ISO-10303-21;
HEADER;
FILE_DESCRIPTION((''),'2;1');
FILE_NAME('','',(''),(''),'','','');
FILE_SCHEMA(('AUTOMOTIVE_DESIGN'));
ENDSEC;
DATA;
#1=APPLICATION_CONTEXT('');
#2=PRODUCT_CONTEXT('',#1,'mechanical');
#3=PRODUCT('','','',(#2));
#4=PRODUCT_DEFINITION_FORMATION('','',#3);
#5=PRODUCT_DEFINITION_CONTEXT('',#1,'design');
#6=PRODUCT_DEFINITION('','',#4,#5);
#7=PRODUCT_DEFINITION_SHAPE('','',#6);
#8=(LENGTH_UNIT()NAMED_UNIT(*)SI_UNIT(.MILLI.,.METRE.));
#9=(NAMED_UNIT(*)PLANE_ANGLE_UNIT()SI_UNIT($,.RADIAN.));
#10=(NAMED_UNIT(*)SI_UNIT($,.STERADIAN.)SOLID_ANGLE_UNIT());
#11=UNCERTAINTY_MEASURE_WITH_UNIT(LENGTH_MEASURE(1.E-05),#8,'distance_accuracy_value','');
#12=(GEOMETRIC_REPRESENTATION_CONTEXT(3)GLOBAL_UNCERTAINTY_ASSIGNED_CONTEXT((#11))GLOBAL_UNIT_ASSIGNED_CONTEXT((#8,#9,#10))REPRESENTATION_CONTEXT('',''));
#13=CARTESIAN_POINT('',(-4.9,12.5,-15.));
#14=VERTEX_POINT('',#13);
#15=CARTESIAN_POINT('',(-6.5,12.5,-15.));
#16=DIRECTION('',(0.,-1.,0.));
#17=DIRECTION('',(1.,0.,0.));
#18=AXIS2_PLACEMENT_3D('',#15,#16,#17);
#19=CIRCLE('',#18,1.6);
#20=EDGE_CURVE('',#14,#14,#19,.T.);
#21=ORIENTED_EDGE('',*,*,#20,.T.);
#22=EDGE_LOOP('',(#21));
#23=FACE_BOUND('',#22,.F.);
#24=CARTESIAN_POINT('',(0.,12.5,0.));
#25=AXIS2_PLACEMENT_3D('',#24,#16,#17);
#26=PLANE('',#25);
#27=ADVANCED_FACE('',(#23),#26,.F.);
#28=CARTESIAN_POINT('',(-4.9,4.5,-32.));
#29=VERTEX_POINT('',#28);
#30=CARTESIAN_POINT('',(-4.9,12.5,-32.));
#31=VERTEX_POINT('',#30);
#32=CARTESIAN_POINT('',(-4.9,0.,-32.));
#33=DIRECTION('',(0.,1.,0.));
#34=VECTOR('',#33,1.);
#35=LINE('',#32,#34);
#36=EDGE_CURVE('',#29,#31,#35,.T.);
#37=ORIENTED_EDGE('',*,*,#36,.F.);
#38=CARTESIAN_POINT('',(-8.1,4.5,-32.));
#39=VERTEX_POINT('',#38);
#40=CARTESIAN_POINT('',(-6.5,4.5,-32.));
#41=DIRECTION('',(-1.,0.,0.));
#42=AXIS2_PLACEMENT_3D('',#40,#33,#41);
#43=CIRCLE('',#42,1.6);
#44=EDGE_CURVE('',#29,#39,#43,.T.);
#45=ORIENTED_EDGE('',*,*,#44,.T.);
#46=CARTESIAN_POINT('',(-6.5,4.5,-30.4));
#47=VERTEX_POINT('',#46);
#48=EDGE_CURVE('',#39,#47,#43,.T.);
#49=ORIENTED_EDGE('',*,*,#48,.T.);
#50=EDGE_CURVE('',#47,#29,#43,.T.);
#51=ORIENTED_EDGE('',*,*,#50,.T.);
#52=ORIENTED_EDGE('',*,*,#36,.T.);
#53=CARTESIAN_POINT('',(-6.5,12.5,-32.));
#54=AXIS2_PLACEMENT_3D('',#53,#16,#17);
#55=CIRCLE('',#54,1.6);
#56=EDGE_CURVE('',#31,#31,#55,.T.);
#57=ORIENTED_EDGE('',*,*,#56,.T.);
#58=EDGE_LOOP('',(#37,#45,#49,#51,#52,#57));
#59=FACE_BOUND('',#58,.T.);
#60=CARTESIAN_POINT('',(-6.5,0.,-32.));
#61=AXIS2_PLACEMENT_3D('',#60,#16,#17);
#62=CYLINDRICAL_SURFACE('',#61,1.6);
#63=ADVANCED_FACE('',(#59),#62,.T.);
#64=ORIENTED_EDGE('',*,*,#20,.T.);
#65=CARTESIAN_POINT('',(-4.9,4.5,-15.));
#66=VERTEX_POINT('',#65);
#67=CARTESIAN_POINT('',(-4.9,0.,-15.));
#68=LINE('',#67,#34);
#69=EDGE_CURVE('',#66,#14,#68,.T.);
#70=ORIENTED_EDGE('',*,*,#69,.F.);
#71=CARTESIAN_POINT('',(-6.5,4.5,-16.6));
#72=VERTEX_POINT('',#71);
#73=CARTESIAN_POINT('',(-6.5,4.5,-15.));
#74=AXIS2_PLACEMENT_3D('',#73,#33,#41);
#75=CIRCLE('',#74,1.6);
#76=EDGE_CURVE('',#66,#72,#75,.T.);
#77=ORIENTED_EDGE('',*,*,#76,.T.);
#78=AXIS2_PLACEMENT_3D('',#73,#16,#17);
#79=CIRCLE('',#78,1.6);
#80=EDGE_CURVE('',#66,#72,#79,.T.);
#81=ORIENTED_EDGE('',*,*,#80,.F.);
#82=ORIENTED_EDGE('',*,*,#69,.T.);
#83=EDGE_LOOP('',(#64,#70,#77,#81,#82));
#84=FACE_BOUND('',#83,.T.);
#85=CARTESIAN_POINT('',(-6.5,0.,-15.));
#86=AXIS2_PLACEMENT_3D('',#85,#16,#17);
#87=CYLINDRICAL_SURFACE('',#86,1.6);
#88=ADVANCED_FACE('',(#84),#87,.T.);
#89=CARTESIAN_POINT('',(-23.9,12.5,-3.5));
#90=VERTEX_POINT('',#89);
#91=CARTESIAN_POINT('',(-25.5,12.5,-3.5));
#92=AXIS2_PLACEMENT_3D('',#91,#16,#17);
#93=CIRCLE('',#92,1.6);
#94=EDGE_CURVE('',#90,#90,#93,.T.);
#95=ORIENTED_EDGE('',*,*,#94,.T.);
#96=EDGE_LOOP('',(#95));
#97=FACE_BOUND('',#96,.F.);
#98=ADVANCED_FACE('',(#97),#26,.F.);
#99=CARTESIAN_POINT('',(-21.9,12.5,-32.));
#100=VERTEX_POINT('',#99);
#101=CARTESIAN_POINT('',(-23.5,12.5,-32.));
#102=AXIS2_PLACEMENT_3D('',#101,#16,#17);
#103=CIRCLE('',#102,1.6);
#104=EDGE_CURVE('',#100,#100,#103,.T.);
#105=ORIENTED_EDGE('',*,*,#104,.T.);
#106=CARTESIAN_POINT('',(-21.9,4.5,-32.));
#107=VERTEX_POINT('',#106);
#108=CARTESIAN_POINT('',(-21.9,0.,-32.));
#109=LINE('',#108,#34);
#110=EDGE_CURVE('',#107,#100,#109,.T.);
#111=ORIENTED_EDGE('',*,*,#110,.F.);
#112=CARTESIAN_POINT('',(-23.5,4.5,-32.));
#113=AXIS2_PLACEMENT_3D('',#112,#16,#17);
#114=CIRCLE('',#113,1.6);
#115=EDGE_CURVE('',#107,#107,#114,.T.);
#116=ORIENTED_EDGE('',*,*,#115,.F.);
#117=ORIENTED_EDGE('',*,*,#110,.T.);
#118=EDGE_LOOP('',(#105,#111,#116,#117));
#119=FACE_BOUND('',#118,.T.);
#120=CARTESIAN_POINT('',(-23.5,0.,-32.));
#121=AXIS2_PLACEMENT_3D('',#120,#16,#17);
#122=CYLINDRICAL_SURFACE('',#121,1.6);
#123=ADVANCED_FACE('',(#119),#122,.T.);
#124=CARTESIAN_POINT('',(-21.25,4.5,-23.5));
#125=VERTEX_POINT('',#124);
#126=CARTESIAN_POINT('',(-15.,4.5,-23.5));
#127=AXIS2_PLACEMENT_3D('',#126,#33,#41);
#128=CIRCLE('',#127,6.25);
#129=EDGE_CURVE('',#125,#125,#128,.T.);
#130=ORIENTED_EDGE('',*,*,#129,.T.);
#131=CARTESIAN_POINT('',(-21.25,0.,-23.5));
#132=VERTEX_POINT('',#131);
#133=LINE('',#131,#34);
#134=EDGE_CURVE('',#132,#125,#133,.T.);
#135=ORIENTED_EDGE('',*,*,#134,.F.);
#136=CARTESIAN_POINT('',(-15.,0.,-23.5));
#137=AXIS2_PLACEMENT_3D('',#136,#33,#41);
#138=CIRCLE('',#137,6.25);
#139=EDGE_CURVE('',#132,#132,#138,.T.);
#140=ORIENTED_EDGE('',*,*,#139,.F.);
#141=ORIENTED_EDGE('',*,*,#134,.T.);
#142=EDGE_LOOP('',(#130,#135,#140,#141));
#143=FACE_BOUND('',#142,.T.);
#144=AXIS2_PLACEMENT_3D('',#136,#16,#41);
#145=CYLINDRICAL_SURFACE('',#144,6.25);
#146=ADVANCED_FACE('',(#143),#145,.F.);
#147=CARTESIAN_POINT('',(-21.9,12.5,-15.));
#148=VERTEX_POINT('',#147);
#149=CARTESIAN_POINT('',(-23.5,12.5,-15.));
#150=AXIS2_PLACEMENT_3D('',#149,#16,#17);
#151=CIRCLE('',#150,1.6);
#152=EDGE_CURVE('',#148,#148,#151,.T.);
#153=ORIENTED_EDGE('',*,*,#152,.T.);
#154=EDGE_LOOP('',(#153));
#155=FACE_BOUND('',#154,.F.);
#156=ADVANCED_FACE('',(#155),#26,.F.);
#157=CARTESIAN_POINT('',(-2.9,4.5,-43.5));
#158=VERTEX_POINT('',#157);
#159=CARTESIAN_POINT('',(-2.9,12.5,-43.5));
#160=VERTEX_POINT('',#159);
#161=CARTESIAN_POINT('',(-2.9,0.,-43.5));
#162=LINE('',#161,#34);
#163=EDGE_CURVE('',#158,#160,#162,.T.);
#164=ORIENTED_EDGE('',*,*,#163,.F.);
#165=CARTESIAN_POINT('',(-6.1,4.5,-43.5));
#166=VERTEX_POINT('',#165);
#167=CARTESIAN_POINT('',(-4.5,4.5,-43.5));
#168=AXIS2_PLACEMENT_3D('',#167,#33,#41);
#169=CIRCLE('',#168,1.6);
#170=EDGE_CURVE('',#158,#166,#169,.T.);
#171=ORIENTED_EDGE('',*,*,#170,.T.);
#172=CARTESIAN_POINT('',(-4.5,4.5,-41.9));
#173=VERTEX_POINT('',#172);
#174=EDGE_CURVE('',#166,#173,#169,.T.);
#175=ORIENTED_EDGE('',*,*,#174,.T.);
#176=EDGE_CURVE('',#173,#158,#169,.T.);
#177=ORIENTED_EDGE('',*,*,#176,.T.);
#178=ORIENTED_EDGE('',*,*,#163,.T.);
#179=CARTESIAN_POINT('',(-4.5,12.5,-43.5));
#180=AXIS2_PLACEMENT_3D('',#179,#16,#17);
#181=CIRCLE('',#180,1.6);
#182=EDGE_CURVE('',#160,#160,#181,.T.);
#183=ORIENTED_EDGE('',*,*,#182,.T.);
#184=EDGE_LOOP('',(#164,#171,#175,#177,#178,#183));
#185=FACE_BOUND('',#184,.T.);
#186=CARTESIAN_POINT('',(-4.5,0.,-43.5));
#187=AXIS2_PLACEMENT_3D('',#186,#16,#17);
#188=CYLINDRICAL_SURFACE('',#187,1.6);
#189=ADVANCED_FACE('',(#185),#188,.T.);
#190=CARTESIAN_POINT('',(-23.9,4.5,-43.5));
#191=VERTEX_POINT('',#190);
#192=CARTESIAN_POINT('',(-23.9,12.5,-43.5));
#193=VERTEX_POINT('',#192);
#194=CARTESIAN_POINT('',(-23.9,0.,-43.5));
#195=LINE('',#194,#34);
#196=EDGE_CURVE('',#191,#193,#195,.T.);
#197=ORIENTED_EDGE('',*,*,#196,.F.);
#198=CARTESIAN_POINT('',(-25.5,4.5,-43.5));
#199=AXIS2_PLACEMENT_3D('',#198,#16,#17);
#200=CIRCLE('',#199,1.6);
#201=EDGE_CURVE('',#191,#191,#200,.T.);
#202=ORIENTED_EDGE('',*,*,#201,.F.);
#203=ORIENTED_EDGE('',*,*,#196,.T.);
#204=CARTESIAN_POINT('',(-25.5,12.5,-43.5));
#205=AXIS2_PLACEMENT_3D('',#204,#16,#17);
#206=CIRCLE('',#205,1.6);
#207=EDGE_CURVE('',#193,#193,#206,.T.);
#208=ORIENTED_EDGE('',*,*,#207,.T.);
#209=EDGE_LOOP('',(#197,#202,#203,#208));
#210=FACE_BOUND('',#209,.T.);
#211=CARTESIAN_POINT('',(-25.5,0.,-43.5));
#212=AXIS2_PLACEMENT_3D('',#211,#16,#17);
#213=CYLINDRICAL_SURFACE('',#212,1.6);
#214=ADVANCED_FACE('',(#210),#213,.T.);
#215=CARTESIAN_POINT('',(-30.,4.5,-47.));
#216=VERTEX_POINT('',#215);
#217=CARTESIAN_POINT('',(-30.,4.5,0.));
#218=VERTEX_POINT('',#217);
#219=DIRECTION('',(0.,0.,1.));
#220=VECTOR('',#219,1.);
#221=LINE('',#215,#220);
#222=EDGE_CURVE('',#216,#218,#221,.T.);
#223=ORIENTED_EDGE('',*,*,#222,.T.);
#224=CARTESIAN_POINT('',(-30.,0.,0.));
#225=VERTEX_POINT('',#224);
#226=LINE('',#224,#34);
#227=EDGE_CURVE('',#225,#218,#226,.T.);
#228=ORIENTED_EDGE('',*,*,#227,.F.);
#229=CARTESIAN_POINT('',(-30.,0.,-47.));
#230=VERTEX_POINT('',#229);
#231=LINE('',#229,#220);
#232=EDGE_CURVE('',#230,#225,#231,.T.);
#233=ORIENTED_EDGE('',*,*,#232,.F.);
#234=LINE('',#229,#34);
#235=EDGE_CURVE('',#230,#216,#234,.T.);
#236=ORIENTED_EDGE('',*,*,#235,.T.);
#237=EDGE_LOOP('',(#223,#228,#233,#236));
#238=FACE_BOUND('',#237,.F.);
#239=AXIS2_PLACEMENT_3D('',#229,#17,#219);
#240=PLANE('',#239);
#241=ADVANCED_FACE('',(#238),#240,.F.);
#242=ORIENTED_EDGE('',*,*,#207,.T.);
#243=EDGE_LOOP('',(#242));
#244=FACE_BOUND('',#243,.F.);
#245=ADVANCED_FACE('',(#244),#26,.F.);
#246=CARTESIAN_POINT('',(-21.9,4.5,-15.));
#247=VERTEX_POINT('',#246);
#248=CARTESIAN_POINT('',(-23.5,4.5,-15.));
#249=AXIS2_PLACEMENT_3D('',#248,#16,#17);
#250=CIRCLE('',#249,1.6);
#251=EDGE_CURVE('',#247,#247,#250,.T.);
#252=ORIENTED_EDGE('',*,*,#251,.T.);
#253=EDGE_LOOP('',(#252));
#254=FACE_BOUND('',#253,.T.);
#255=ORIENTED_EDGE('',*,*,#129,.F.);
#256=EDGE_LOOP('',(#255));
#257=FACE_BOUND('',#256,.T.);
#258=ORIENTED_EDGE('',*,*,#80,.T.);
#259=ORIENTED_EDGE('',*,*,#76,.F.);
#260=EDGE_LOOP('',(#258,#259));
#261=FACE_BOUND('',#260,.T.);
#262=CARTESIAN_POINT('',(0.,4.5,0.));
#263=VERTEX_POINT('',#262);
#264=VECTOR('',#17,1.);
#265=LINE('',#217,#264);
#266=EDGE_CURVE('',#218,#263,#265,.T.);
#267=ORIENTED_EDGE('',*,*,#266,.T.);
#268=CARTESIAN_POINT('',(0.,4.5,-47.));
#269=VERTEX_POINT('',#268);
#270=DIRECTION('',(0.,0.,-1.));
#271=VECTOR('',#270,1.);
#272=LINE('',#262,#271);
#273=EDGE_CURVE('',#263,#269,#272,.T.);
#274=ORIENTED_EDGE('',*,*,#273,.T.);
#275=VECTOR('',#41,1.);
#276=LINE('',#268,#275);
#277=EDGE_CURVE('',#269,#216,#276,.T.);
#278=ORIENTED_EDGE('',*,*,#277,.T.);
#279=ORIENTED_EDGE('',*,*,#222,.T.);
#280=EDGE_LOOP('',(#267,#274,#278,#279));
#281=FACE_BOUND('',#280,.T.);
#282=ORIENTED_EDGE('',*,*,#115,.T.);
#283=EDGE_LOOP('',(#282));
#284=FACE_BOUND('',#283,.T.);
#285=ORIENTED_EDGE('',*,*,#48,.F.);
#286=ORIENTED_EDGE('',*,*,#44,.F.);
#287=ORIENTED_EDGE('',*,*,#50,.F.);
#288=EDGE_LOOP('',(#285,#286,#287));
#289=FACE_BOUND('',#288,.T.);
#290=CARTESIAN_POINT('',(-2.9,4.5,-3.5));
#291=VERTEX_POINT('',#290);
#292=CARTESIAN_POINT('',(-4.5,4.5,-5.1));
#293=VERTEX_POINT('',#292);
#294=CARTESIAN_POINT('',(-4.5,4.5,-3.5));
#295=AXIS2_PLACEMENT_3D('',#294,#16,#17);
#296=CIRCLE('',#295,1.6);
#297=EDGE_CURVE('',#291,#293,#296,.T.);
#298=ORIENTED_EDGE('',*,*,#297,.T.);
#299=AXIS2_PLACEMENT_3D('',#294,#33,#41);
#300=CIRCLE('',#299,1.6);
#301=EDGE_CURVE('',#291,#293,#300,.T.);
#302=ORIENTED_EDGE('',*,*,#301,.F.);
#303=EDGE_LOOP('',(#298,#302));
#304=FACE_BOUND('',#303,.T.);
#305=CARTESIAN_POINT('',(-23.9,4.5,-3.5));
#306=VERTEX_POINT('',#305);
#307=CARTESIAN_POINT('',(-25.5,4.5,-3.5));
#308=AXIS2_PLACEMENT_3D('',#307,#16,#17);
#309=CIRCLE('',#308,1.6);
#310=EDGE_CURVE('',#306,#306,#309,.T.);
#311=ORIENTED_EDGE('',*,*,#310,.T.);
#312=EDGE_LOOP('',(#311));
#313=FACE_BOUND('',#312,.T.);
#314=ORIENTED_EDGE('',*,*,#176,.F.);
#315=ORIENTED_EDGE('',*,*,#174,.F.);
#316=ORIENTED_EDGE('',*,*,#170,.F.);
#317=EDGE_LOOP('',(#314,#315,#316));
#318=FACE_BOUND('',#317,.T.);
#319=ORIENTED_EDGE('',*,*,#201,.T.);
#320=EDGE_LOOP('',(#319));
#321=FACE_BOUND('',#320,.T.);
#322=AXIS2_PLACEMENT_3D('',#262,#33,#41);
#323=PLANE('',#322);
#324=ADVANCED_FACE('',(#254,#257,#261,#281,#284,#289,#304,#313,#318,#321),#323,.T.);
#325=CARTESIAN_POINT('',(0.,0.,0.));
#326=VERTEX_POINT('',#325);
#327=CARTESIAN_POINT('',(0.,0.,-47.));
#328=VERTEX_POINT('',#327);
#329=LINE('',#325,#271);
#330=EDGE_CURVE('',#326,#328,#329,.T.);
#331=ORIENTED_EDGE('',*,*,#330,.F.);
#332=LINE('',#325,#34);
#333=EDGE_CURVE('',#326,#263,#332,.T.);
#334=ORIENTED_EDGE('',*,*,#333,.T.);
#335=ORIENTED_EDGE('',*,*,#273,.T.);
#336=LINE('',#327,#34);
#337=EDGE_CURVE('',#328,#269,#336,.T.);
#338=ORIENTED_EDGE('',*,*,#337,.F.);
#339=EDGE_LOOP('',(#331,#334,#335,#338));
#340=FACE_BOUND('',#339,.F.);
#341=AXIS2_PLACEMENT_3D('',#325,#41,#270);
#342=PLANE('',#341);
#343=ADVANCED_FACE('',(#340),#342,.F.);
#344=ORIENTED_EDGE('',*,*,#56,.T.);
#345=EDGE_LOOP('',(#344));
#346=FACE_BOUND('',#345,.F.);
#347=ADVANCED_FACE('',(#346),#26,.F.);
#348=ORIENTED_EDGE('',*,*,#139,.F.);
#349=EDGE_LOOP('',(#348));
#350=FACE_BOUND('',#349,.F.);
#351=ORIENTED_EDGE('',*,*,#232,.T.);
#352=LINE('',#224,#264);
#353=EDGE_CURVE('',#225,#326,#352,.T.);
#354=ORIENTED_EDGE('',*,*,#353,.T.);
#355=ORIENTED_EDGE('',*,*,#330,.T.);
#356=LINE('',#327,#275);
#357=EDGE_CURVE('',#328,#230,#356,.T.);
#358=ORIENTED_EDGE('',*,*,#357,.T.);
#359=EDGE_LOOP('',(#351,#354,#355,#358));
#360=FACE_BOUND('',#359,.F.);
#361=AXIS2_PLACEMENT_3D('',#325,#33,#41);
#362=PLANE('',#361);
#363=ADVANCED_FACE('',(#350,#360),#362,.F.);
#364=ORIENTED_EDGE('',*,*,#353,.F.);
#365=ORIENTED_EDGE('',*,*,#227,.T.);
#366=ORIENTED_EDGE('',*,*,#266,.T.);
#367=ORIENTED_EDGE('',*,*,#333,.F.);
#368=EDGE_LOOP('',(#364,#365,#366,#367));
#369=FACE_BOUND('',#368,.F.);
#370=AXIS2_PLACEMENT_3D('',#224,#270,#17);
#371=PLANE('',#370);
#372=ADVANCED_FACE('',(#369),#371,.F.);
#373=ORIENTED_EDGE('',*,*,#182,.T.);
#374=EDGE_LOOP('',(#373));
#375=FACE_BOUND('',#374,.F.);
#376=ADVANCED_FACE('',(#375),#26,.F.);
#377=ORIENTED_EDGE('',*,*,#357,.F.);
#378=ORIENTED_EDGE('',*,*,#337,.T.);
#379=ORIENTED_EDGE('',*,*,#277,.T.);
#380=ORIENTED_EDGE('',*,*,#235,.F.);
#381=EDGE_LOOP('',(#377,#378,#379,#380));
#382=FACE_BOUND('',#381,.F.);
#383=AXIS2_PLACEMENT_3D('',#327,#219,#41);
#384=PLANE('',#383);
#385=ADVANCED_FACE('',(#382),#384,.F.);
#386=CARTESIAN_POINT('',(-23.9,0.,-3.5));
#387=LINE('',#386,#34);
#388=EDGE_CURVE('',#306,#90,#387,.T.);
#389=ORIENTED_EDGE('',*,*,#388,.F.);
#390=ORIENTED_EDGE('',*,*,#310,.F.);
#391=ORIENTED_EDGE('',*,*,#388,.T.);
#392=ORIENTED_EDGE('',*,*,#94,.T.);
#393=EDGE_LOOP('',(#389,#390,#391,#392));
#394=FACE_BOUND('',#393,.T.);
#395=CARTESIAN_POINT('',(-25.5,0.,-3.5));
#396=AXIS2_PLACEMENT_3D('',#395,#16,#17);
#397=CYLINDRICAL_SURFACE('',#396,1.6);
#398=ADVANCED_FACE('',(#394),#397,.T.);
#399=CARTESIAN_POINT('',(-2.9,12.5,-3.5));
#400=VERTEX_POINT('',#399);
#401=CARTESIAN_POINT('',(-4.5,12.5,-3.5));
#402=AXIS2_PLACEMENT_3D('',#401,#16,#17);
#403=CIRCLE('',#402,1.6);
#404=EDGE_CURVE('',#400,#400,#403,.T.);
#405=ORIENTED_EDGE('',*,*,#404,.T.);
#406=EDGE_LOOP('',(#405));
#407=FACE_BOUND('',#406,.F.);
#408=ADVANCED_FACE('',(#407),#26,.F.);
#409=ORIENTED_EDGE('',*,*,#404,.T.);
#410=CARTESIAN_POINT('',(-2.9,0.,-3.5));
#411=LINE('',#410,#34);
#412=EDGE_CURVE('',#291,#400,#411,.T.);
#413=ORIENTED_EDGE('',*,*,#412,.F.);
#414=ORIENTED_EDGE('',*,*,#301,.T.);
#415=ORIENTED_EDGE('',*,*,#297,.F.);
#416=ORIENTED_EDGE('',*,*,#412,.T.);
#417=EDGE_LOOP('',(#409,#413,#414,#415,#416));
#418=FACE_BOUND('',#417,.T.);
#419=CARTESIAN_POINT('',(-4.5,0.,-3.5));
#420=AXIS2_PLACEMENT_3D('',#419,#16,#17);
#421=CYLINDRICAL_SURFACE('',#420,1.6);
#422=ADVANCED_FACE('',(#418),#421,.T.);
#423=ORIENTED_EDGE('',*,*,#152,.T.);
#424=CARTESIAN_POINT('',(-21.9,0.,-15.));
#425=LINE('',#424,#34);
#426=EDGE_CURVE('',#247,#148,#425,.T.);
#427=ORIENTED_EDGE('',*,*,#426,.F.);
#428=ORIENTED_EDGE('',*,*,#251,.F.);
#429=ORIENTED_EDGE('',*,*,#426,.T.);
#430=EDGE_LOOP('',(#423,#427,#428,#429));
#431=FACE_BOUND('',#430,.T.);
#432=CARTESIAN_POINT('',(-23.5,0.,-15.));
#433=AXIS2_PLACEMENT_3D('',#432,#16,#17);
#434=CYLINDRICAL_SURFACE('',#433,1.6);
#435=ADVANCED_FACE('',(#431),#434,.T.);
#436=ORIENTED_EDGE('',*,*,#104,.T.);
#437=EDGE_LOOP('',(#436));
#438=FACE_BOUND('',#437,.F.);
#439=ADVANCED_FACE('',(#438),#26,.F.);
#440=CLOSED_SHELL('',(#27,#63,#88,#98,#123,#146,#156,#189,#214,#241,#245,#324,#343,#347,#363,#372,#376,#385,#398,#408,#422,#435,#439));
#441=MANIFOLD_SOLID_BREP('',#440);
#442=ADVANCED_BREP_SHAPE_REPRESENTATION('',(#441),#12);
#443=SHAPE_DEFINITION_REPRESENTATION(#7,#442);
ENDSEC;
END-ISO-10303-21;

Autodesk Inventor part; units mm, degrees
ref_plane "YZ Plane" through (0, 0, 0) normal (1, 0, 0) x (0, 1, 0)
ref_plane "XZ Plane" through (0, 0, 0) normal (0, 1, 0) x (-1, 0, 0)
ref_plane "XY Plane" through (0, 0, 0) normal (0, 0, 1) x (1, 0, 0)
sketch "Sketch1" plane through (0, 0, 0) normal (0, 1, 0) x (-1, 0, 0)
  line L0 (0, 0) -> (0, -47)
  line L1 (0, -47) -> (30, -47)
  line L2 (30, -47) -> (30, 0)
  line L3 (30, 0) -> (0, 0)
  circle A0 centre (15, -23.5) radius 6.25
  circle A1 centre (6.5, -32) radius 1.6
  circle A2 centre (23.5, -32) radius 1.6
  circle A3 centre (25.5, -43.5) radius 1.6
  circle A4 centre (4.5, -43.5) radius 1.6
  circle A5 centre (6.5, -15) radius 1.6
  circle A6 centre (23.5, -15) radius 1.6
  circle A7 centre (25.5, -3.5) radius 1.6
  circle A8 centre (4.5, -3.5) radius 1.6
  line L4 (23.5, -32) -> (6.5, -32)
  line L5 (6.5, -32) -> (6.5, -15)
  line L6 (25.5, -43.5) -> (4.5, -43.5)
  line L7 (4.5, -43.5) -> (4.5, -3.5)
  point P0 (30, -23.5)
  point P1 (15, -47)
  point P2 (4.5, -23.5)
  point P3 (0, -23.5)
  point P4 (15, -43.5)
  point P5 (15, -32)
  point P6 (15, 0)
  point P7 (6.5, -23.5)
  dimension "d0" = 47
  dimension "d1" = 30
  dimension "d2" = 3.2
  dimension "d3" = 12.5
  dimension "d4" = 40
  dimension "d5" = 21
  dimension "d6" = 17
  dimension "d7" = 17
extrude "Extrusion1" add sketch "Sketch1" along normal blind 4.5
sketch "Sketch2" plane through (0, 0, 0) normal (0, -1, 0) x (1, 0, 0)
  circle A0 centre (-4.5, -3.5) radius 1.6 construction
  circle A1 centre (-4.5, -43.5) radius 1.6 construction
  circle A2 centre (-6.5, -15) radius 1.6 construction
  circle A3 centre (-23.5, -32) radius 1.6 construction
  circle A4 centre (-6.5, -32) radius 1.6 construction
  circle A5 centre (-25.5, -43.5) radius 1.6 construction
  circle A6 centre (-23.5, -15) radius 1.6 construction
  circle A7 centre (-25.5, -3.5) radius 1.6 construction
  circle A8 centre (-25.5, -43.5) radius 1.6
  circle A9 centre (-4.5, -43.5) radius 1.6
  circle A10 centre (-6.5, -32) radius 1.6
  circle A11 centre (-6.5, -15) radius 1.6
  circle A12 centre (-4.5, -3.5) radius 1.6
  circle A13 centre (-25.5, -3.5) radius 1.6
  circle A14 centre (-23.5, -15) radius 1.6
  circle A15 centre (-23.5, -32) radius 1.6
extrude "Extrusion2" add sketch "Sketch2" against normal blind 12.5
properties part number "Plate2"
